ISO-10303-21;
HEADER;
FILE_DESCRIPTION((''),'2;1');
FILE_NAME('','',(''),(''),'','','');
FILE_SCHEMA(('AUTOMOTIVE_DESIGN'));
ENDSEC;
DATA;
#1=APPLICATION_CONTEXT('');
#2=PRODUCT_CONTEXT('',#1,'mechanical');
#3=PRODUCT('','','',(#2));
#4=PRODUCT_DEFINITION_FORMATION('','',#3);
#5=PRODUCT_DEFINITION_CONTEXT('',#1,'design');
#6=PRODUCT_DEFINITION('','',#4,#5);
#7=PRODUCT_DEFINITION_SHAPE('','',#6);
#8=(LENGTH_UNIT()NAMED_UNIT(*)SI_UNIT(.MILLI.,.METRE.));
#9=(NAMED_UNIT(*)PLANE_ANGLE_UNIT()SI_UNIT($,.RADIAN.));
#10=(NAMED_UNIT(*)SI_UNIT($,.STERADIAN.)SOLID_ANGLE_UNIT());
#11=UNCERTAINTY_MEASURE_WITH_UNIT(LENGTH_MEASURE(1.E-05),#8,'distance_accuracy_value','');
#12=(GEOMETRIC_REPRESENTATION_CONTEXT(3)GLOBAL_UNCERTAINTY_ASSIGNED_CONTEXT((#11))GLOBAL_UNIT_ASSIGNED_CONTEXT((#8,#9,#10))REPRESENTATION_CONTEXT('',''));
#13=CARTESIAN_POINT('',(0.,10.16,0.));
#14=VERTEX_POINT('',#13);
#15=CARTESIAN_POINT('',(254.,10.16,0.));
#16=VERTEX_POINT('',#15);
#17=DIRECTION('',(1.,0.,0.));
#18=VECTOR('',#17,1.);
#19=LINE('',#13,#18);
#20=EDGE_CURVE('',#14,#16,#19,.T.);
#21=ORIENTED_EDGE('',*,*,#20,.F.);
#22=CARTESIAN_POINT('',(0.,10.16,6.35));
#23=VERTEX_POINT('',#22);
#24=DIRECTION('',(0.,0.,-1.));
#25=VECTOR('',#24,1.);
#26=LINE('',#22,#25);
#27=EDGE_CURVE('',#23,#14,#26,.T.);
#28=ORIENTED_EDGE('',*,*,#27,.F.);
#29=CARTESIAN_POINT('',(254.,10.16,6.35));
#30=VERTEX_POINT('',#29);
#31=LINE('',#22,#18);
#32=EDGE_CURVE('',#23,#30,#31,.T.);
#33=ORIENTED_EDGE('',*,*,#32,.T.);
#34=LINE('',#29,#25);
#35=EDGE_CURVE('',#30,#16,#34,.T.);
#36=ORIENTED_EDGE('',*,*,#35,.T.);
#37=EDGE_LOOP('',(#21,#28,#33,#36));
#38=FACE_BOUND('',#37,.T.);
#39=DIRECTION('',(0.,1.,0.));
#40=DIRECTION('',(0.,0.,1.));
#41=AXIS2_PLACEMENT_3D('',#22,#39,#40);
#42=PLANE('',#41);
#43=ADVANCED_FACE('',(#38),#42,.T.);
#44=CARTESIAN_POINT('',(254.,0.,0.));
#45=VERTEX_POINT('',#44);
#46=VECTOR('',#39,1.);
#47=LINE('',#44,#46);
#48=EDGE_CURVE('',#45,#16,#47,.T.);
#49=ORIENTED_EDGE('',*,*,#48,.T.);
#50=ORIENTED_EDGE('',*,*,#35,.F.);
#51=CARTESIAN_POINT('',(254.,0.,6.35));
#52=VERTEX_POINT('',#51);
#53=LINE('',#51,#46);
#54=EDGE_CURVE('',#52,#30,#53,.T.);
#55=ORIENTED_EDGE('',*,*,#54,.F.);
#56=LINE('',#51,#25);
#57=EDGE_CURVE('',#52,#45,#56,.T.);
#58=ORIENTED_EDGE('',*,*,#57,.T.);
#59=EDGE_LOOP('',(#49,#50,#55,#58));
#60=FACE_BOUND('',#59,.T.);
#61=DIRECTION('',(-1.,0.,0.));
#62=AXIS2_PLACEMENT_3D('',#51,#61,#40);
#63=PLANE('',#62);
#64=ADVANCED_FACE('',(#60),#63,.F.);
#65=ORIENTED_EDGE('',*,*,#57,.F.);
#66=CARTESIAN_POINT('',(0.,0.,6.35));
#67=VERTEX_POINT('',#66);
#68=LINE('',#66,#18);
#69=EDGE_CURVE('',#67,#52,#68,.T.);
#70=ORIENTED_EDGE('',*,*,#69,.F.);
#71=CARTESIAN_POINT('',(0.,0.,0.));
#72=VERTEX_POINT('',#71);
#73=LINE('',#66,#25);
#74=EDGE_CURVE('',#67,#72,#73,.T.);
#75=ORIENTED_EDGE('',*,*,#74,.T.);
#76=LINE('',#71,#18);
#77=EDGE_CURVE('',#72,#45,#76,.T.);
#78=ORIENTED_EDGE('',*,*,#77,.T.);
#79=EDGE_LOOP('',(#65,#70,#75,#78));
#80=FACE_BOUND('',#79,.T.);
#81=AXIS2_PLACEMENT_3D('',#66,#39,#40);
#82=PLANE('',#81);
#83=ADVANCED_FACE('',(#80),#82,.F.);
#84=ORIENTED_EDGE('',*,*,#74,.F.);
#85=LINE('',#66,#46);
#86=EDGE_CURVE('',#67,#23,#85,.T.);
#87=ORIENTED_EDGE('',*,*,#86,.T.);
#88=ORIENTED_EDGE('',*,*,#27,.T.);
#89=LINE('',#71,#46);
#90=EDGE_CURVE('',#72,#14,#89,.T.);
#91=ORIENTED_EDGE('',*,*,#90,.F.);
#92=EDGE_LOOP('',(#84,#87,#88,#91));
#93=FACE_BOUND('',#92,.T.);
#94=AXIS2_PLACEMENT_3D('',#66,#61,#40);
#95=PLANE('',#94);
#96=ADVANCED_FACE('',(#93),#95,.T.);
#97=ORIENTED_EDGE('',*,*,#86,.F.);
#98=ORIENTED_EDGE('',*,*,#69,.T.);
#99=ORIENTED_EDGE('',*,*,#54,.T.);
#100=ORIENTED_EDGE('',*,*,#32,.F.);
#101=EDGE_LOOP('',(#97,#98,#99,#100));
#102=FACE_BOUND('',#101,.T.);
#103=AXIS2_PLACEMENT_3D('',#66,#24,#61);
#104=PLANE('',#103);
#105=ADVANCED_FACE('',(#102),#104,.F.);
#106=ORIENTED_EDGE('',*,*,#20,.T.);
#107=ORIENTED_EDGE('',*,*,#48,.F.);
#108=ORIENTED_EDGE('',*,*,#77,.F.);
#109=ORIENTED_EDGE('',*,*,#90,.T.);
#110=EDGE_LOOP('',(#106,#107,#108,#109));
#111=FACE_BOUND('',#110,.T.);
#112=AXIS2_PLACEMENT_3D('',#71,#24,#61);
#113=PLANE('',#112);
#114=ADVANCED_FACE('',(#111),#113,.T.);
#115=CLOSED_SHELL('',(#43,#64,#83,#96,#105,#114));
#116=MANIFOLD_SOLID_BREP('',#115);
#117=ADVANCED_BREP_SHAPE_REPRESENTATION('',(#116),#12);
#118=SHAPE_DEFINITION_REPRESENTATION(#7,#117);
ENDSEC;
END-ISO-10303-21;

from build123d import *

# Parameters (mm, degrees)
SKETCH1_W           = 254
SKETCH1_H           = 10.16
BOSS_EXTRUDE1_DEPTH = 6.35


with BuildPart() as part:
    # Sketch1 → Boss-Extrude1 (new body)
    with BuildSketch(Plane.XY):
        with Locations((127, 5.08)):
            Rectangle(SKETCH1_W, SKETCH1_H)
    extrude(amount=BOSS_EXTRUDE1_DEPTH)


solid = part.part
